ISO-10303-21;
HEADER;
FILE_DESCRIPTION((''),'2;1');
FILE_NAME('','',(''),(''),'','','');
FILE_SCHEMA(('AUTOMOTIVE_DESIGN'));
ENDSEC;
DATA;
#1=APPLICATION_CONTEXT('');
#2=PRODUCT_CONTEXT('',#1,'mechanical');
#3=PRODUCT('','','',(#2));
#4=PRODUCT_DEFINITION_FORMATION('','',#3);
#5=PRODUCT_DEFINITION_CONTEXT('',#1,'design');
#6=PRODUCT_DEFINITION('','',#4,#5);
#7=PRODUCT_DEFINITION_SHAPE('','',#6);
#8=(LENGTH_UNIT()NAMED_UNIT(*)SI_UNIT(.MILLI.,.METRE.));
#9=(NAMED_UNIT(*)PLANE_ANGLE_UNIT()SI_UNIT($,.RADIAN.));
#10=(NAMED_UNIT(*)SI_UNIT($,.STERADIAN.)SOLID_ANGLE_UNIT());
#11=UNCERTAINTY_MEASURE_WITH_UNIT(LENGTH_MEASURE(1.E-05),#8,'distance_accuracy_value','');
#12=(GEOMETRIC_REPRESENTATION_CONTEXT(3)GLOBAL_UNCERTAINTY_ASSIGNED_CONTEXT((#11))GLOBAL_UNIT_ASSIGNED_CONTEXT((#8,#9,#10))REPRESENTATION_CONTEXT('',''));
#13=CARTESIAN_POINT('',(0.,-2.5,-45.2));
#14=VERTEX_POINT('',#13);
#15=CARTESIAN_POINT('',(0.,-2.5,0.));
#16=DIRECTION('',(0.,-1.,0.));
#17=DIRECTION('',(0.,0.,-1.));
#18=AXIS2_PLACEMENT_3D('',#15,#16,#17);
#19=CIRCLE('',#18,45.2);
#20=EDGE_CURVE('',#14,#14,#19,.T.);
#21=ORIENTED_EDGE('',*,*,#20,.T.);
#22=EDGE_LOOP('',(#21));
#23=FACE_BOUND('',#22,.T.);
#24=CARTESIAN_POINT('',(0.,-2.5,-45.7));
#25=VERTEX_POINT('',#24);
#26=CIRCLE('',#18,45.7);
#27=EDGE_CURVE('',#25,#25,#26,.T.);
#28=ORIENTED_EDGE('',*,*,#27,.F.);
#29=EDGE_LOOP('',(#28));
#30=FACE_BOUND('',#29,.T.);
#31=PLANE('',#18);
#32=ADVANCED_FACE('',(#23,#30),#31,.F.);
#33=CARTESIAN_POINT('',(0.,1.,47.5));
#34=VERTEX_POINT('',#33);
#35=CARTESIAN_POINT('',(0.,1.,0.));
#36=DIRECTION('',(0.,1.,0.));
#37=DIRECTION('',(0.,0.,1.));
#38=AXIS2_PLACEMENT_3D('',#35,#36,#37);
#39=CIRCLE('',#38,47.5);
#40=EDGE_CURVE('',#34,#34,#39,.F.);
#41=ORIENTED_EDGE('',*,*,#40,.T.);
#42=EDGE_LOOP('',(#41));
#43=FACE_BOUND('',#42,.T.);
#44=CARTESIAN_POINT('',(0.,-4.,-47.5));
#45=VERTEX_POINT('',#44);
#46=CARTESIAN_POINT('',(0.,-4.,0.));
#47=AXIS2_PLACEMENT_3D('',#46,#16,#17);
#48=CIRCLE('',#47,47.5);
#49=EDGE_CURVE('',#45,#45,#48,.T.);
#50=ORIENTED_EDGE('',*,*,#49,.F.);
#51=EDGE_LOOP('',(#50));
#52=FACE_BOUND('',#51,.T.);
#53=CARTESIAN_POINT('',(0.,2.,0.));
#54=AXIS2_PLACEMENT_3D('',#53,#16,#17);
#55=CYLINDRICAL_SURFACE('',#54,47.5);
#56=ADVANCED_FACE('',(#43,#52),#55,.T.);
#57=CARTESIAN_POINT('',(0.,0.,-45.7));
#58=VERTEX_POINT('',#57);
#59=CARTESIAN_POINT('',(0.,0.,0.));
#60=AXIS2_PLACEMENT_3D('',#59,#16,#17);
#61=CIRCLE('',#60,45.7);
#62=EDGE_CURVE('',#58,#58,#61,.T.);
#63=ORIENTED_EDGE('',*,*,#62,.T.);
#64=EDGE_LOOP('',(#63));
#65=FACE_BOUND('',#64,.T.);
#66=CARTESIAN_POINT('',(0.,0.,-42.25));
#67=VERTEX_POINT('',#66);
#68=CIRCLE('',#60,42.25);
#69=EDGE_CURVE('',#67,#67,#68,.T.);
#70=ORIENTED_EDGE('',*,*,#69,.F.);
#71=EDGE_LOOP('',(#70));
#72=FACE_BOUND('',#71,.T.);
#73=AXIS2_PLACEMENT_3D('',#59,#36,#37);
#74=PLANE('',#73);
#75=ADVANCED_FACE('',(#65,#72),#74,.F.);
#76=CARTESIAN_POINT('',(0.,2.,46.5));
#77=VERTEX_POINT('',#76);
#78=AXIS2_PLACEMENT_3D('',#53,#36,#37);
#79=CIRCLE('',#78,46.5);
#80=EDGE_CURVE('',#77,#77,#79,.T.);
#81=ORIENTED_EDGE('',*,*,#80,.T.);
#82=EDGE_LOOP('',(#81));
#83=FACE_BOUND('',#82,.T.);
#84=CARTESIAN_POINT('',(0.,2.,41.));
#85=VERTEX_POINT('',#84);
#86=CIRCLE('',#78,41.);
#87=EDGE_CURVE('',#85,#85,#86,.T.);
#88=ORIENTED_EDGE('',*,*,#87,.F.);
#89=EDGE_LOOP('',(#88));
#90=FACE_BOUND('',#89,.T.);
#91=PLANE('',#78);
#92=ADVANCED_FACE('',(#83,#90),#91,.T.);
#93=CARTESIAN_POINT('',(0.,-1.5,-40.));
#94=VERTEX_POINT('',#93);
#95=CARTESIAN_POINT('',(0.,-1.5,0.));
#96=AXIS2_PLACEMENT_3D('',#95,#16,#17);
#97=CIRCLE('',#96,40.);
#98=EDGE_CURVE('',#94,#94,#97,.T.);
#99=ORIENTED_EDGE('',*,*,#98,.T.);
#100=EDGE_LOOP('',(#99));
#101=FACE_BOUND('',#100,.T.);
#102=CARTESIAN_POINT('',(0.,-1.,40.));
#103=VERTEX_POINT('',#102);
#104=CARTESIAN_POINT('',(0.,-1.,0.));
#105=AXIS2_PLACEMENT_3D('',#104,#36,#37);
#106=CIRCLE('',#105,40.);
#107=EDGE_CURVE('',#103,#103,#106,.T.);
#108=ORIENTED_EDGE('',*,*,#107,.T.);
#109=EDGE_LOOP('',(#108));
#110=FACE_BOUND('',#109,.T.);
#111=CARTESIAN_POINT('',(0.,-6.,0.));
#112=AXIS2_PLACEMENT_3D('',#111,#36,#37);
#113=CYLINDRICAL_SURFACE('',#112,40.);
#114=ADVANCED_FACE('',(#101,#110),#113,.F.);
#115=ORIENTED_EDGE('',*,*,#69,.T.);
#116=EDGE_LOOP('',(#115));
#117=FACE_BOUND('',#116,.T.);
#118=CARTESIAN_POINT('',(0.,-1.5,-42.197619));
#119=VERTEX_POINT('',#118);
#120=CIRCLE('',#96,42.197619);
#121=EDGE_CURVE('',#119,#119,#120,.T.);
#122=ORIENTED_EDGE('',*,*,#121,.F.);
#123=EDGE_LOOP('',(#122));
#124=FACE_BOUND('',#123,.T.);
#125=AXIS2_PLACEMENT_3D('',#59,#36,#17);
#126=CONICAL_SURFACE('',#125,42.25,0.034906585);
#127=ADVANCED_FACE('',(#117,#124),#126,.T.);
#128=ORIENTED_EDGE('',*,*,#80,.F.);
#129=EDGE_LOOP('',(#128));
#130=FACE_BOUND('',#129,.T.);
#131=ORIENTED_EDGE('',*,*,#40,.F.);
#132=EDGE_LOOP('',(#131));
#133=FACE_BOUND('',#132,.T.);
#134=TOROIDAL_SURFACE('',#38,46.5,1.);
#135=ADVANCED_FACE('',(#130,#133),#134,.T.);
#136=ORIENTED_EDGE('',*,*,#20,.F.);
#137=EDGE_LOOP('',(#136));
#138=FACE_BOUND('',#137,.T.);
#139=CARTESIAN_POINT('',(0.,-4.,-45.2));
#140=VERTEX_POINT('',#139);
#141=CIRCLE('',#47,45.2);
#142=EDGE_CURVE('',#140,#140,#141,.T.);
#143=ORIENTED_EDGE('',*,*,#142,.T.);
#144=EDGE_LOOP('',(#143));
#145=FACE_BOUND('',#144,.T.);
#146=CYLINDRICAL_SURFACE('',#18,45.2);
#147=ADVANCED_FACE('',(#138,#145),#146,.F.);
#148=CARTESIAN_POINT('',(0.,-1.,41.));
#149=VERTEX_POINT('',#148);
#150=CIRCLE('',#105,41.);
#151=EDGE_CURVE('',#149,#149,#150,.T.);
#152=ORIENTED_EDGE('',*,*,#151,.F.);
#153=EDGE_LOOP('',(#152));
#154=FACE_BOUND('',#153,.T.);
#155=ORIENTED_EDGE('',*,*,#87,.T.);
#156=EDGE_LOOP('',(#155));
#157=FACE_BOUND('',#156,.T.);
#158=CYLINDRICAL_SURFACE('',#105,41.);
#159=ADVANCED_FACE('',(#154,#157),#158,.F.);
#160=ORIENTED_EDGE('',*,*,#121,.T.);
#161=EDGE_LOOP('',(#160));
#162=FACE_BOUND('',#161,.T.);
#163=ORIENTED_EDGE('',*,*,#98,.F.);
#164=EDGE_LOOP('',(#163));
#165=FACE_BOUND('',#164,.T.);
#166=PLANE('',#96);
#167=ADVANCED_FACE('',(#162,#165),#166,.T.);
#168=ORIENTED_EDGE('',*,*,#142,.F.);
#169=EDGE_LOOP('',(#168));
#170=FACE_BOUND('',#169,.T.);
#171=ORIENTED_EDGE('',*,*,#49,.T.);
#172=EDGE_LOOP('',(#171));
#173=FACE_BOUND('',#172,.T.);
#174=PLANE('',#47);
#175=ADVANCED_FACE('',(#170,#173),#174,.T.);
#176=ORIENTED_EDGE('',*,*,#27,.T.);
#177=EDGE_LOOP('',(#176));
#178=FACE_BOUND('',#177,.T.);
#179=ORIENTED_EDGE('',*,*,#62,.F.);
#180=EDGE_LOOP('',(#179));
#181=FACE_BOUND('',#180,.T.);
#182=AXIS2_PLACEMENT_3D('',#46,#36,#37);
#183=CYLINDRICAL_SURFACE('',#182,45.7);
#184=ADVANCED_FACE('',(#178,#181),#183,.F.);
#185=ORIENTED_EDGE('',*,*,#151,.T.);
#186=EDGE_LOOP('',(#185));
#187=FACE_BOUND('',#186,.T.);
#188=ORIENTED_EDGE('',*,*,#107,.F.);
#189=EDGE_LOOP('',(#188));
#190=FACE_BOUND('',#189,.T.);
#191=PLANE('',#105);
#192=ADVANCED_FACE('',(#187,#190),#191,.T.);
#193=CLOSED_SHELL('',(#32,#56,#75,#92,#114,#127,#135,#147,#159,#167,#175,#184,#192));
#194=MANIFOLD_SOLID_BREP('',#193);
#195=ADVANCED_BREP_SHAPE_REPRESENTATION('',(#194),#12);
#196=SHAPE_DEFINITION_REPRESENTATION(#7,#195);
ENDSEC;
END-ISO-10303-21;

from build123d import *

# Parameters (mm, degrees)
SKETCH1_R           = 47.5
BOSS_EXTRUDE1_DEPTH = 2
SKETCH2_R           = 42.25
BOSS_EXTRUDE2_DEPTH = 1.5
BOSS_EXTRUDE2_TAPER = 2
SKETCH5_R           = 10
CUT_EXTRUDE1_DEPTH  = 4
CHAMFER1_SIZE       = 1
SKETCH7_R           = 47.5
SKETCH7_R_2         = 45.7
BOSS_EXTRUDE3_DEPTH = 4
FILLET2_R           = 1
SKETCH8_R           = 41
CUT_EXTRUDE4_DEPTH  = 3
SKETCH9_R           = 40
CUT_EXTRUDE5_DEPTH  = 5
SKETCH10_R          = 45.7
SKETCH10_R_2        = 45.2
BOSS_EXTRUDE4_DEPTH = 1.5


with BuildPart() as part:
    # Sketch1 → Boss-Extrude1 (new body)
    with BuildSketch(Plane(origin=(0, 0, 0), x_dir=(1, 0, 0), z_dir=(0, 1, 0))):
        Circle(SKETCH1_R)
    extrude(amount=BOSS_EXTRUDE1_DEPTH)

    # Sketch2 → Boss-Extrude2 (add)
    with BuildSketch(Plane.XZ):
        Circle(SKETCH2_R)
    extrude(amount=BOSS_EXTRUDE2_DEPTH, taper=BOSS_EXTRUDE2_TAPER)

    # Sketch5 → Cut-Extrude1 (cut)
    with BuildSketch(Plane(origin=(0, 2, 0), x_dir=(1, 0, 0), z_dir=(0, 1, 0))):
        Circle(SKETCH5_R)
    extrude(amount=-CUT_EXTRUDE1_DEPTH, mode=Mode.SUBTRACT)

    # Chamfer1
    chamfer1_edges = [part.edges().sort_by_distance(p)[0] for p in [
        (-10, -1.5, 0),
        (-10, 2, 0),
    ]]
    chamfer(chamfer1_edges, length=CHAMFER1_SIZE)

    # Sketch7 → Boss-Extrude3 (add)
    with BuildSketch(Plane.XZ):
        Circle(SKETCH7_R)
        Circle(SKETCH7_R_2, mode=Mode.SUBTRACT)
    extrude(amount=BOSS_EXTRUDE3_DEPTH)

    # Fillet2
    fillet2_edges = [part.edges().sort_by_distance(p)[0] for p in [
        (-47.5, 2, 0),
    ]]
    fillet(fillet2_edges, radius=FILLET2_R)

    # Sketch8 → Cut-Extrude4 (cut)
    with BuildSketch(Plane(origin=(0, 2, 0), x_dir=(1, 0, 0), z_dir=(0, 1, 0))):
        Circle(SKETCH8_R)
    extrude(amount=-CUT_EXTRUDE4_DEPTH, mode=Mode.SUBTRACT)

    # Sketch9 → Cut-Extrude5 (cut)
    with BuildSketch(Plane(origin=(0, -1, 0), x_dir=(1, 0, 0), z_dir=(0, 1, 0))):
        Circle(SKETCH9_R)
    extrude(amount=-CUT_EXTRUDE5_DEPTH, mode=Mode.SUBTRACT)

    # Sketch10 → Boss-Extrude4 (add)
    with BuildSketch(Plane.XZ.offset(4)):
        Circle(SKETCH10_R)
        Circle(SKETCH10_R_2, mode=Mode.SUBTRACT)
    extrude(amount=-BOSS_EXTRUDE4_DEPTH)


solid = part.part
